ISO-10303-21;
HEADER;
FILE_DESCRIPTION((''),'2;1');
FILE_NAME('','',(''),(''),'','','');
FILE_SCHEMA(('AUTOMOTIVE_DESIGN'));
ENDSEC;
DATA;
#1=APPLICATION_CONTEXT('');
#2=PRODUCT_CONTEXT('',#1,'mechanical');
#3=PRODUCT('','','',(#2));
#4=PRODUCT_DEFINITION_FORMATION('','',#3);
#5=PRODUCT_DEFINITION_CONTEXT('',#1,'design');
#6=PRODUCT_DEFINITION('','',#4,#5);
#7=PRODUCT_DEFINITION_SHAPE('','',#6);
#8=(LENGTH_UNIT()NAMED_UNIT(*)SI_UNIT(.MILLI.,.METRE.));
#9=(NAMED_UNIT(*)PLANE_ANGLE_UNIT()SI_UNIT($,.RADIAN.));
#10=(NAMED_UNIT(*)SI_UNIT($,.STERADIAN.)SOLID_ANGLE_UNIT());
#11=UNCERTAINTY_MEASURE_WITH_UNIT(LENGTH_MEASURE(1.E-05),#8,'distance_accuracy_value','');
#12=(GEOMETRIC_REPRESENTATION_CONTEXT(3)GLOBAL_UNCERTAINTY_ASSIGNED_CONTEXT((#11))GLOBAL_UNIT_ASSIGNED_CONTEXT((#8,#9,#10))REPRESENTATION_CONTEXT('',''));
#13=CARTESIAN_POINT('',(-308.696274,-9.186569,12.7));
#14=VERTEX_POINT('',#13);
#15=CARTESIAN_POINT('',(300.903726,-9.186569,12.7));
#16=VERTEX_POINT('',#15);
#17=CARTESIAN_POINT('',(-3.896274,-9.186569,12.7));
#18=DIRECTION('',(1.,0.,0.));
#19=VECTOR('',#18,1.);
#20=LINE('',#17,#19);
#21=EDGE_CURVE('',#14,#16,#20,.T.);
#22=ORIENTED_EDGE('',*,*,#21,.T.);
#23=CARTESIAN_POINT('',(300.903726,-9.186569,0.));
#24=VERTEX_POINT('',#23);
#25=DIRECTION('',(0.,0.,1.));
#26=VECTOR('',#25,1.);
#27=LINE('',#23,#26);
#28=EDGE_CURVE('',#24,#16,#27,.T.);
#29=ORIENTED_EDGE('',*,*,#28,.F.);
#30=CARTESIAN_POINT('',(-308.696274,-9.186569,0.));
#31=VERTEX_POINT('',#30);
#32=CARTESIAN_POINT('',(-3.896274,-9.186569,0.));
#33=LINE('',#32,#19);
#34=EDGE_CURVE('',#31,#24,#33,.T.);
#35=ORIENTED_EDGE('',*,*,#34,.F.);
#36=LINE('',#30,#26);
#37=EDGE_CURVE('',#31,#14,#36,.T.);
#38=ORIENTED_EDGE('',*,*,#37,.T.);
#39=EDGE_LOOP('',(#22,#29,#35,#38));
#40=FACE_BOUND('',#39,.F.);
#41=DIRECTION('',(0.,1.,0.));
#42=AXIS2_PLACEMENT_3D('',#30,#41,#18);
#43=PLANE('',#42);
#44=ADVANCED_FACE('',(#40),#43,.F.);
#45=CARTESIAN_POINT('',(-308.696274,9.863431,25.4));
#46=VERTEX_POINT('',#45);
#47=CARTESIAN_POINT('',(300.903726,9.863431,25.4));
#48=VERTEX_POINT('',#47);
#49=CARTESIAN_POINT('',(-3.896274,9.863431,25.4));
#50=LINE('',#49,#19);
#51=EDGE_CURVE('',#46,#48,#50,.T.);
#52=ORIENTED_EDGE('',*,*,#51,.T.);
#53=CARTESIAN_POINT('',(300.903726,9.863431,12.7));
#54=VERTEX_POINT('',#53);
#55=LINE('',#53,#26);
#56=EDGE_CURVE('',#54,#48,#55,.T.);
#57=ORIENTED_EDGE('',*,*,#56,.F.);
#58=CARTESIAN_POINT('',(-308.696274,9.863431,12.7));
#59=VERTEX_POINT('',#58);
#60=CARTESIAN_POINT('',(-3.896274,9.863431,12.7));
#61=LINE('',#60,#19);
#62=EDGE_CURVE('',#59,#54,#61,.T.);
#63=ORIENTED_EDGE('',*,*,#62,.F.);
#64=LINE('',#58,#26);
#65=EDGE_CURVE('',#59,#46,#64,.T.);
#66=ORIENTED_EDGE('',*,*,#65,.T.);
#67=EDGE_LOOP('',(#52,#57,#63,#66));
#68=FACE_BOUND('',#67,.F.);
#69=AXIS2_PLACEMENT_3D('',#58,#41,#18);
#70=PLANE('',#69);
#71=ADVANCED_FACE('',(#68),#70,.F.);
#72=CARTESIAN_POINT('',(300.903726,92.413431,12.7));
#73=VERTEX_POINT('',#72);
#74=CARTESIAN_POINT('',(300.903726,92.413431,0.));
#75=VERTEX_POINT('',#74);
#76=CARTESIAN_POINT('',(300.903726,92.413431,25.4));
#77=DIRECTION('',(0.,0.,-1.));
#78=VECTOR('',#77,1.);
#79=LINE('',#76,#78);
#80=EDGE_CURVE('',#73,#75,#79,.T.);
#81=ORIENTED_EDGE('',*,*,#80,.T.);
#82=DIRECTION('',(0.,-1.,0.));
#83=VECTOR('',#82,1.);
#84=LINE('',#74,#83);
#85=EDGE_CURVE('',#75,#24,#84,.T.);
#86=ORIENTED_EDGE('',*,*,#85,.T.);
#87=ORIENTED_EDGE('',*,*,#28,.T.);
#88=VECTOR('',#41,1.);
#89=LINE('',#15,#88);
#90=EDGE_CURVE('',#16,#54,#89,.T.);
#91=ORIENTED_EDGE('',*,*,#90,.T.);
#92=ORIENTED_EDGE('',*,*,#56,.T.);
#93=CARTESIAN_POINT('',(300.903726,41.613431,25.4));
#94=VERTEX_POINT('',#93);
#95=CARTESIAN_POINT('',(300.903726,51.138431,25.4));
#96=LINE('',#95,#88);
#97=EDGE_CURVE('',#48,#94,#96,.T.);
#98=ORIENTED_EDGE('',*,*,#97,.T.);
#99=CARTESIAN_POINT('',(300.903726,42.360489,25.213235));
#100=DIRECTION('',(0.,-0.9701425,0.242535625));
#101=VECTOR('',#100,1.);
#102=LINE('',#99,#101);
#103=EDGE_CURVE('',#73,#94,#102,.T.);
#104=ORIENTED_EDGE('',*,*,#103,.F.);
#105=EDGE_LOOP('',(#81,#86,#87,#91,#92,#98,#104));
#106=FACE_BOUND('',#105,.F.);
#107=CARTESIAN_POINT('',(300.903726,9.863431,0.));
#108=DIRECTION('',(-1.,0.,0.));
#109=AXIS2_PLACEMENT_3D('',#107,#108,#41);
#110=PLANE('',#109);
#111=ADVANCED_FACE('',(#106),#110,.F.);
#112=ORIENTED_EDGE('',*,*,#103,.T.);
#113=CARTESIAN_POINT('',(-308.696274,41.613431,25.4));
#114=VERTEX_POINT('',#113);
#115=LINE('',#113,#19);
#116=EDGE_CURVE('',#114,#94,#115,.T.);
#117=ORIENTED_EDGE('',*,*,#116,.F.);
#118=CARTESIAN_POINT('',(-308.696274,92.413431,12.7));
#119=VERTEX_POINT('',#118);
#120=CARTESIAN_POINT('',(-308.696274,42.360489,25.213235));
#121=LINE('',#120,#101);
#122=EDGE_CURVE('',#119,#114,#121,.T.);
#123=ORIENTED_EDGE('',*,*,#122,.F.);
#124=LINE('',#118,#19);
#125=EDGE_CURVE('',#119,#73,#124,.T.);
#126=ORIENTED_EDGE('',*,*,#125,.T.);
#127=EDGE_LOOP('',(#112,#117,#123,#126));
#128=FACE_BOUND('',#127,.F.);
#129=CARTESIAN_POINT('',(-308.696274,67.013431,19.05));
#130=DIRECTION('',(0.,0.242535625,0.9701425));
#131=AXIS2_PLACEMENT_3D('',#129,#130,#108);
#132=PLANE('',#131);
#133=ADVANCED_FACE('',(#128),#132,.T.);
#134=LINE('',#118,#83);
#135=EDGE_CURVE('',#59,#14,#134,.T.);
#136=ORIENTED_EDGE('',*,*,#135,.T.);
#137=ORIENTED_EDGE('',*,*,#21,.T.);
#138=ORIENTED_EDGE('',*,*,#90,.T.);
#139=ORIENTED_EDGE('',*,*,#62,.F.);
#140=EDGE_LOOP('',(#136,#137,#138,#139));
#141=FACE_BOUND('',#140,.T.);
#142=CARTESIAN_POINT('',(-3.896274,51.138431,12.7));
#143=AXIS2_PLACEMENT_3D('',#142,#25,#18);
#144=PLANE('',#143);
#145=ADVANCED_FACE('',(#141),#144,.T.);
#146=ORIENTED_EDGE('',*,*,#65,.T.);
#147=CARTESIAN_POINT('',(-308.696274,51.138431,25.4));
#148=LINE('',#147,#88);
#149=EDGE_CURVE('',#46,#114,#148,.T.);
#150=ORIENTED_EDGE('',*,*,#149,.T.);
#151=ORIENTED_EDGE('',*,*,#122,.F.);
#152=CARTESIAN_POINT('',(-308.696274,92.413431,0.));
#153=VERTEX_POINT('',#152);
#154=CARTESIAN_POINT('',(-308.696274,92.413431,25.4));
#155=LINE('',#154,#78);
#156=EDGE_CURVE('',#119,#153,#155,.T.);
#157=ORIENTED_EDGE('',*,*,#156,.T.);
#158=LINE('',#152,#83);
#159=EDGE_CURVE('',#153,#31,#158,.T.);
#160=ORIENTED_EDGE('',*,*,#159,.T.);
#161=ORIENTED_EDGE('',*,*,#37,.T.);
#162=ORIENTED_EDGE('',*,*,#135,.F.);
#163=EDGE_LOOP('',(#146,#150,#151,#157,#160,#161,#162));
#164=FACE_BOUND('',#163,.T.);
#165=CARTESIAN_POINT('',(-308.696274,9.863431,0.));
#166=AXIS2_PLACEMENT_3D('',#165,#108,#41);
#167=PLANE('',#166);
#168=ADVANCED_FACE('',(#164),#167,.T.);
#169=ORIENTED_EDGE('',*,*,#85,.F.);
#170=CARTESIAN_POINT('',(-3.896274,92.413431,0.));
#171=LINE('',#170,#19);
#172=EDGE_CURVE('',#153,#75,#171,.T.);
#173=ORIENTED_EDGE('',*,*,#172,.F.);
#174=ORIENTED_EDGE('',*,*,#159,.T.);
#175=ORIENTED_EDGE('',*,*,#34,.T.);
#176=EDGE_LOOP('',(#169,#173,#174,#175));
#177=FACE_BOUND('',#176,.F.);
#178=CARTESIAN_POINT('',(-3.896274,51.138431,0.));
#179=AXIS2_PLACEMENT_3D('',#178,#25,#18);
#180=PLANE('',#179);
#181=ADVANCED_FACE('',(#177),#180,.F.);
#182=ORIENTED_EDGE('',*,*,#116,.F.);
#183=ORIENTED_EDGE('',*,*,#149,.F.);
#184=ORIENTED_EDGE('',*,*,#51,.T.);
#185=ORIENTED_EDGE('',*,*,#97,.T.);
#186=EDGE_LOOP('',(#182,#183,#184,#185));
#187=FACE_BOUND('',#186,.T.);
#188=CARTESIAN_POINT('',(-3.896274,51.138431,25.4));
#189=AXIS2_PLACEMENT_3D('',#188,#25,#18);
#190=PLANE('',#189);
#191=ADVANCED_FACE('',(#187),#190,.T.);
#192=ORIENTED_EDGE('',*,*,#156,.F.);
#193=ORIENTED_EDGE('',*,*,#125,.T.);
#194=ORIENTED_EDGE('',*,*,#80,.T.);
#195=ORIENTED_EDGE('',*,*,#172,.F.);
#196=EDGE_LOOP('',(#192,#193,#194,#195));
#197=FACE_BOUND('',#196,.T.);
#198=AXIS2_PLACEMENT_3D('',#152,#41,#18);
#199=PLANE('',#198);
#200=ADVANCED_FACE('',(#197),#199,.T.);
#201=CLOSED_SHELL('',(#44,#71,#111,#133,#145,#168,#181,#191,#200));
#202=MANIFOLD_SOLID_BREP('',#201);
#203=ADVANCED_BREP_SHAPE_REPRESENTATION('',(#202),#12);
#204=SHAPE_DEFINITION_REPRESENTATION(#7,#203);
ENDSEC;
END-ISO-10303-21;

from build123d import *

# Parameters (mm, degrees)
F0_W      = 609.6
F0_H      = 82.55
F1_DEPTH  = 12.7
F0_H_2    = 19.05
F1_FACE_W = 609.6
F1_FACE_H = 82.55
F2_DEPTH  = 12.7
F3_SIZE2  = 50.8
F3_SIZE   = 12.7


with BuildPart() as f1:
    # F0 (on Top) → F1 (new body)
    with BuildSketch(Plane.XY):
        with Locations((-3.8962736726, 51.1384306475)):
            Rectangle(F0_W, F0_H)
    extrude(amount=F1_DEPTH)

    # F0 (on Top) + F1_face (on face) → F2 (join)
    with BuildSketch(Plane.XY):
        with Locations((-3.8962736726, 51.1384306475)):
            Rectangle(F0_W, F0_H)
        with Locations((-3.8962736726, 0.3384306475)):
            Rectangle(F0_W, F0_H_2)
    with BuildSketch(Plane(origin=(-3.8962736726, 51.1384306475, 12.7), x_dir=(1, 0, 0), z_dir=(0, 0, 1))):
        Rectangle(F1_FACE_W, F1_FACE_H)
    extrude(amount=F2_DEPTH)

    # F3
    f3_edges = [f1.edges().sort_by_distance(p)[0] for p in [
        (-3.896274, 92.413431, 25.4),
    ]]
    f3_side = f1.faces().sort_by_distance((-3.896274, 92.413431, 12.7))[0]
    chamfer(f3_edges, length=F3_SIZE, length2=F3_SIZE2, reference=f3_side)


solid = f1.part
